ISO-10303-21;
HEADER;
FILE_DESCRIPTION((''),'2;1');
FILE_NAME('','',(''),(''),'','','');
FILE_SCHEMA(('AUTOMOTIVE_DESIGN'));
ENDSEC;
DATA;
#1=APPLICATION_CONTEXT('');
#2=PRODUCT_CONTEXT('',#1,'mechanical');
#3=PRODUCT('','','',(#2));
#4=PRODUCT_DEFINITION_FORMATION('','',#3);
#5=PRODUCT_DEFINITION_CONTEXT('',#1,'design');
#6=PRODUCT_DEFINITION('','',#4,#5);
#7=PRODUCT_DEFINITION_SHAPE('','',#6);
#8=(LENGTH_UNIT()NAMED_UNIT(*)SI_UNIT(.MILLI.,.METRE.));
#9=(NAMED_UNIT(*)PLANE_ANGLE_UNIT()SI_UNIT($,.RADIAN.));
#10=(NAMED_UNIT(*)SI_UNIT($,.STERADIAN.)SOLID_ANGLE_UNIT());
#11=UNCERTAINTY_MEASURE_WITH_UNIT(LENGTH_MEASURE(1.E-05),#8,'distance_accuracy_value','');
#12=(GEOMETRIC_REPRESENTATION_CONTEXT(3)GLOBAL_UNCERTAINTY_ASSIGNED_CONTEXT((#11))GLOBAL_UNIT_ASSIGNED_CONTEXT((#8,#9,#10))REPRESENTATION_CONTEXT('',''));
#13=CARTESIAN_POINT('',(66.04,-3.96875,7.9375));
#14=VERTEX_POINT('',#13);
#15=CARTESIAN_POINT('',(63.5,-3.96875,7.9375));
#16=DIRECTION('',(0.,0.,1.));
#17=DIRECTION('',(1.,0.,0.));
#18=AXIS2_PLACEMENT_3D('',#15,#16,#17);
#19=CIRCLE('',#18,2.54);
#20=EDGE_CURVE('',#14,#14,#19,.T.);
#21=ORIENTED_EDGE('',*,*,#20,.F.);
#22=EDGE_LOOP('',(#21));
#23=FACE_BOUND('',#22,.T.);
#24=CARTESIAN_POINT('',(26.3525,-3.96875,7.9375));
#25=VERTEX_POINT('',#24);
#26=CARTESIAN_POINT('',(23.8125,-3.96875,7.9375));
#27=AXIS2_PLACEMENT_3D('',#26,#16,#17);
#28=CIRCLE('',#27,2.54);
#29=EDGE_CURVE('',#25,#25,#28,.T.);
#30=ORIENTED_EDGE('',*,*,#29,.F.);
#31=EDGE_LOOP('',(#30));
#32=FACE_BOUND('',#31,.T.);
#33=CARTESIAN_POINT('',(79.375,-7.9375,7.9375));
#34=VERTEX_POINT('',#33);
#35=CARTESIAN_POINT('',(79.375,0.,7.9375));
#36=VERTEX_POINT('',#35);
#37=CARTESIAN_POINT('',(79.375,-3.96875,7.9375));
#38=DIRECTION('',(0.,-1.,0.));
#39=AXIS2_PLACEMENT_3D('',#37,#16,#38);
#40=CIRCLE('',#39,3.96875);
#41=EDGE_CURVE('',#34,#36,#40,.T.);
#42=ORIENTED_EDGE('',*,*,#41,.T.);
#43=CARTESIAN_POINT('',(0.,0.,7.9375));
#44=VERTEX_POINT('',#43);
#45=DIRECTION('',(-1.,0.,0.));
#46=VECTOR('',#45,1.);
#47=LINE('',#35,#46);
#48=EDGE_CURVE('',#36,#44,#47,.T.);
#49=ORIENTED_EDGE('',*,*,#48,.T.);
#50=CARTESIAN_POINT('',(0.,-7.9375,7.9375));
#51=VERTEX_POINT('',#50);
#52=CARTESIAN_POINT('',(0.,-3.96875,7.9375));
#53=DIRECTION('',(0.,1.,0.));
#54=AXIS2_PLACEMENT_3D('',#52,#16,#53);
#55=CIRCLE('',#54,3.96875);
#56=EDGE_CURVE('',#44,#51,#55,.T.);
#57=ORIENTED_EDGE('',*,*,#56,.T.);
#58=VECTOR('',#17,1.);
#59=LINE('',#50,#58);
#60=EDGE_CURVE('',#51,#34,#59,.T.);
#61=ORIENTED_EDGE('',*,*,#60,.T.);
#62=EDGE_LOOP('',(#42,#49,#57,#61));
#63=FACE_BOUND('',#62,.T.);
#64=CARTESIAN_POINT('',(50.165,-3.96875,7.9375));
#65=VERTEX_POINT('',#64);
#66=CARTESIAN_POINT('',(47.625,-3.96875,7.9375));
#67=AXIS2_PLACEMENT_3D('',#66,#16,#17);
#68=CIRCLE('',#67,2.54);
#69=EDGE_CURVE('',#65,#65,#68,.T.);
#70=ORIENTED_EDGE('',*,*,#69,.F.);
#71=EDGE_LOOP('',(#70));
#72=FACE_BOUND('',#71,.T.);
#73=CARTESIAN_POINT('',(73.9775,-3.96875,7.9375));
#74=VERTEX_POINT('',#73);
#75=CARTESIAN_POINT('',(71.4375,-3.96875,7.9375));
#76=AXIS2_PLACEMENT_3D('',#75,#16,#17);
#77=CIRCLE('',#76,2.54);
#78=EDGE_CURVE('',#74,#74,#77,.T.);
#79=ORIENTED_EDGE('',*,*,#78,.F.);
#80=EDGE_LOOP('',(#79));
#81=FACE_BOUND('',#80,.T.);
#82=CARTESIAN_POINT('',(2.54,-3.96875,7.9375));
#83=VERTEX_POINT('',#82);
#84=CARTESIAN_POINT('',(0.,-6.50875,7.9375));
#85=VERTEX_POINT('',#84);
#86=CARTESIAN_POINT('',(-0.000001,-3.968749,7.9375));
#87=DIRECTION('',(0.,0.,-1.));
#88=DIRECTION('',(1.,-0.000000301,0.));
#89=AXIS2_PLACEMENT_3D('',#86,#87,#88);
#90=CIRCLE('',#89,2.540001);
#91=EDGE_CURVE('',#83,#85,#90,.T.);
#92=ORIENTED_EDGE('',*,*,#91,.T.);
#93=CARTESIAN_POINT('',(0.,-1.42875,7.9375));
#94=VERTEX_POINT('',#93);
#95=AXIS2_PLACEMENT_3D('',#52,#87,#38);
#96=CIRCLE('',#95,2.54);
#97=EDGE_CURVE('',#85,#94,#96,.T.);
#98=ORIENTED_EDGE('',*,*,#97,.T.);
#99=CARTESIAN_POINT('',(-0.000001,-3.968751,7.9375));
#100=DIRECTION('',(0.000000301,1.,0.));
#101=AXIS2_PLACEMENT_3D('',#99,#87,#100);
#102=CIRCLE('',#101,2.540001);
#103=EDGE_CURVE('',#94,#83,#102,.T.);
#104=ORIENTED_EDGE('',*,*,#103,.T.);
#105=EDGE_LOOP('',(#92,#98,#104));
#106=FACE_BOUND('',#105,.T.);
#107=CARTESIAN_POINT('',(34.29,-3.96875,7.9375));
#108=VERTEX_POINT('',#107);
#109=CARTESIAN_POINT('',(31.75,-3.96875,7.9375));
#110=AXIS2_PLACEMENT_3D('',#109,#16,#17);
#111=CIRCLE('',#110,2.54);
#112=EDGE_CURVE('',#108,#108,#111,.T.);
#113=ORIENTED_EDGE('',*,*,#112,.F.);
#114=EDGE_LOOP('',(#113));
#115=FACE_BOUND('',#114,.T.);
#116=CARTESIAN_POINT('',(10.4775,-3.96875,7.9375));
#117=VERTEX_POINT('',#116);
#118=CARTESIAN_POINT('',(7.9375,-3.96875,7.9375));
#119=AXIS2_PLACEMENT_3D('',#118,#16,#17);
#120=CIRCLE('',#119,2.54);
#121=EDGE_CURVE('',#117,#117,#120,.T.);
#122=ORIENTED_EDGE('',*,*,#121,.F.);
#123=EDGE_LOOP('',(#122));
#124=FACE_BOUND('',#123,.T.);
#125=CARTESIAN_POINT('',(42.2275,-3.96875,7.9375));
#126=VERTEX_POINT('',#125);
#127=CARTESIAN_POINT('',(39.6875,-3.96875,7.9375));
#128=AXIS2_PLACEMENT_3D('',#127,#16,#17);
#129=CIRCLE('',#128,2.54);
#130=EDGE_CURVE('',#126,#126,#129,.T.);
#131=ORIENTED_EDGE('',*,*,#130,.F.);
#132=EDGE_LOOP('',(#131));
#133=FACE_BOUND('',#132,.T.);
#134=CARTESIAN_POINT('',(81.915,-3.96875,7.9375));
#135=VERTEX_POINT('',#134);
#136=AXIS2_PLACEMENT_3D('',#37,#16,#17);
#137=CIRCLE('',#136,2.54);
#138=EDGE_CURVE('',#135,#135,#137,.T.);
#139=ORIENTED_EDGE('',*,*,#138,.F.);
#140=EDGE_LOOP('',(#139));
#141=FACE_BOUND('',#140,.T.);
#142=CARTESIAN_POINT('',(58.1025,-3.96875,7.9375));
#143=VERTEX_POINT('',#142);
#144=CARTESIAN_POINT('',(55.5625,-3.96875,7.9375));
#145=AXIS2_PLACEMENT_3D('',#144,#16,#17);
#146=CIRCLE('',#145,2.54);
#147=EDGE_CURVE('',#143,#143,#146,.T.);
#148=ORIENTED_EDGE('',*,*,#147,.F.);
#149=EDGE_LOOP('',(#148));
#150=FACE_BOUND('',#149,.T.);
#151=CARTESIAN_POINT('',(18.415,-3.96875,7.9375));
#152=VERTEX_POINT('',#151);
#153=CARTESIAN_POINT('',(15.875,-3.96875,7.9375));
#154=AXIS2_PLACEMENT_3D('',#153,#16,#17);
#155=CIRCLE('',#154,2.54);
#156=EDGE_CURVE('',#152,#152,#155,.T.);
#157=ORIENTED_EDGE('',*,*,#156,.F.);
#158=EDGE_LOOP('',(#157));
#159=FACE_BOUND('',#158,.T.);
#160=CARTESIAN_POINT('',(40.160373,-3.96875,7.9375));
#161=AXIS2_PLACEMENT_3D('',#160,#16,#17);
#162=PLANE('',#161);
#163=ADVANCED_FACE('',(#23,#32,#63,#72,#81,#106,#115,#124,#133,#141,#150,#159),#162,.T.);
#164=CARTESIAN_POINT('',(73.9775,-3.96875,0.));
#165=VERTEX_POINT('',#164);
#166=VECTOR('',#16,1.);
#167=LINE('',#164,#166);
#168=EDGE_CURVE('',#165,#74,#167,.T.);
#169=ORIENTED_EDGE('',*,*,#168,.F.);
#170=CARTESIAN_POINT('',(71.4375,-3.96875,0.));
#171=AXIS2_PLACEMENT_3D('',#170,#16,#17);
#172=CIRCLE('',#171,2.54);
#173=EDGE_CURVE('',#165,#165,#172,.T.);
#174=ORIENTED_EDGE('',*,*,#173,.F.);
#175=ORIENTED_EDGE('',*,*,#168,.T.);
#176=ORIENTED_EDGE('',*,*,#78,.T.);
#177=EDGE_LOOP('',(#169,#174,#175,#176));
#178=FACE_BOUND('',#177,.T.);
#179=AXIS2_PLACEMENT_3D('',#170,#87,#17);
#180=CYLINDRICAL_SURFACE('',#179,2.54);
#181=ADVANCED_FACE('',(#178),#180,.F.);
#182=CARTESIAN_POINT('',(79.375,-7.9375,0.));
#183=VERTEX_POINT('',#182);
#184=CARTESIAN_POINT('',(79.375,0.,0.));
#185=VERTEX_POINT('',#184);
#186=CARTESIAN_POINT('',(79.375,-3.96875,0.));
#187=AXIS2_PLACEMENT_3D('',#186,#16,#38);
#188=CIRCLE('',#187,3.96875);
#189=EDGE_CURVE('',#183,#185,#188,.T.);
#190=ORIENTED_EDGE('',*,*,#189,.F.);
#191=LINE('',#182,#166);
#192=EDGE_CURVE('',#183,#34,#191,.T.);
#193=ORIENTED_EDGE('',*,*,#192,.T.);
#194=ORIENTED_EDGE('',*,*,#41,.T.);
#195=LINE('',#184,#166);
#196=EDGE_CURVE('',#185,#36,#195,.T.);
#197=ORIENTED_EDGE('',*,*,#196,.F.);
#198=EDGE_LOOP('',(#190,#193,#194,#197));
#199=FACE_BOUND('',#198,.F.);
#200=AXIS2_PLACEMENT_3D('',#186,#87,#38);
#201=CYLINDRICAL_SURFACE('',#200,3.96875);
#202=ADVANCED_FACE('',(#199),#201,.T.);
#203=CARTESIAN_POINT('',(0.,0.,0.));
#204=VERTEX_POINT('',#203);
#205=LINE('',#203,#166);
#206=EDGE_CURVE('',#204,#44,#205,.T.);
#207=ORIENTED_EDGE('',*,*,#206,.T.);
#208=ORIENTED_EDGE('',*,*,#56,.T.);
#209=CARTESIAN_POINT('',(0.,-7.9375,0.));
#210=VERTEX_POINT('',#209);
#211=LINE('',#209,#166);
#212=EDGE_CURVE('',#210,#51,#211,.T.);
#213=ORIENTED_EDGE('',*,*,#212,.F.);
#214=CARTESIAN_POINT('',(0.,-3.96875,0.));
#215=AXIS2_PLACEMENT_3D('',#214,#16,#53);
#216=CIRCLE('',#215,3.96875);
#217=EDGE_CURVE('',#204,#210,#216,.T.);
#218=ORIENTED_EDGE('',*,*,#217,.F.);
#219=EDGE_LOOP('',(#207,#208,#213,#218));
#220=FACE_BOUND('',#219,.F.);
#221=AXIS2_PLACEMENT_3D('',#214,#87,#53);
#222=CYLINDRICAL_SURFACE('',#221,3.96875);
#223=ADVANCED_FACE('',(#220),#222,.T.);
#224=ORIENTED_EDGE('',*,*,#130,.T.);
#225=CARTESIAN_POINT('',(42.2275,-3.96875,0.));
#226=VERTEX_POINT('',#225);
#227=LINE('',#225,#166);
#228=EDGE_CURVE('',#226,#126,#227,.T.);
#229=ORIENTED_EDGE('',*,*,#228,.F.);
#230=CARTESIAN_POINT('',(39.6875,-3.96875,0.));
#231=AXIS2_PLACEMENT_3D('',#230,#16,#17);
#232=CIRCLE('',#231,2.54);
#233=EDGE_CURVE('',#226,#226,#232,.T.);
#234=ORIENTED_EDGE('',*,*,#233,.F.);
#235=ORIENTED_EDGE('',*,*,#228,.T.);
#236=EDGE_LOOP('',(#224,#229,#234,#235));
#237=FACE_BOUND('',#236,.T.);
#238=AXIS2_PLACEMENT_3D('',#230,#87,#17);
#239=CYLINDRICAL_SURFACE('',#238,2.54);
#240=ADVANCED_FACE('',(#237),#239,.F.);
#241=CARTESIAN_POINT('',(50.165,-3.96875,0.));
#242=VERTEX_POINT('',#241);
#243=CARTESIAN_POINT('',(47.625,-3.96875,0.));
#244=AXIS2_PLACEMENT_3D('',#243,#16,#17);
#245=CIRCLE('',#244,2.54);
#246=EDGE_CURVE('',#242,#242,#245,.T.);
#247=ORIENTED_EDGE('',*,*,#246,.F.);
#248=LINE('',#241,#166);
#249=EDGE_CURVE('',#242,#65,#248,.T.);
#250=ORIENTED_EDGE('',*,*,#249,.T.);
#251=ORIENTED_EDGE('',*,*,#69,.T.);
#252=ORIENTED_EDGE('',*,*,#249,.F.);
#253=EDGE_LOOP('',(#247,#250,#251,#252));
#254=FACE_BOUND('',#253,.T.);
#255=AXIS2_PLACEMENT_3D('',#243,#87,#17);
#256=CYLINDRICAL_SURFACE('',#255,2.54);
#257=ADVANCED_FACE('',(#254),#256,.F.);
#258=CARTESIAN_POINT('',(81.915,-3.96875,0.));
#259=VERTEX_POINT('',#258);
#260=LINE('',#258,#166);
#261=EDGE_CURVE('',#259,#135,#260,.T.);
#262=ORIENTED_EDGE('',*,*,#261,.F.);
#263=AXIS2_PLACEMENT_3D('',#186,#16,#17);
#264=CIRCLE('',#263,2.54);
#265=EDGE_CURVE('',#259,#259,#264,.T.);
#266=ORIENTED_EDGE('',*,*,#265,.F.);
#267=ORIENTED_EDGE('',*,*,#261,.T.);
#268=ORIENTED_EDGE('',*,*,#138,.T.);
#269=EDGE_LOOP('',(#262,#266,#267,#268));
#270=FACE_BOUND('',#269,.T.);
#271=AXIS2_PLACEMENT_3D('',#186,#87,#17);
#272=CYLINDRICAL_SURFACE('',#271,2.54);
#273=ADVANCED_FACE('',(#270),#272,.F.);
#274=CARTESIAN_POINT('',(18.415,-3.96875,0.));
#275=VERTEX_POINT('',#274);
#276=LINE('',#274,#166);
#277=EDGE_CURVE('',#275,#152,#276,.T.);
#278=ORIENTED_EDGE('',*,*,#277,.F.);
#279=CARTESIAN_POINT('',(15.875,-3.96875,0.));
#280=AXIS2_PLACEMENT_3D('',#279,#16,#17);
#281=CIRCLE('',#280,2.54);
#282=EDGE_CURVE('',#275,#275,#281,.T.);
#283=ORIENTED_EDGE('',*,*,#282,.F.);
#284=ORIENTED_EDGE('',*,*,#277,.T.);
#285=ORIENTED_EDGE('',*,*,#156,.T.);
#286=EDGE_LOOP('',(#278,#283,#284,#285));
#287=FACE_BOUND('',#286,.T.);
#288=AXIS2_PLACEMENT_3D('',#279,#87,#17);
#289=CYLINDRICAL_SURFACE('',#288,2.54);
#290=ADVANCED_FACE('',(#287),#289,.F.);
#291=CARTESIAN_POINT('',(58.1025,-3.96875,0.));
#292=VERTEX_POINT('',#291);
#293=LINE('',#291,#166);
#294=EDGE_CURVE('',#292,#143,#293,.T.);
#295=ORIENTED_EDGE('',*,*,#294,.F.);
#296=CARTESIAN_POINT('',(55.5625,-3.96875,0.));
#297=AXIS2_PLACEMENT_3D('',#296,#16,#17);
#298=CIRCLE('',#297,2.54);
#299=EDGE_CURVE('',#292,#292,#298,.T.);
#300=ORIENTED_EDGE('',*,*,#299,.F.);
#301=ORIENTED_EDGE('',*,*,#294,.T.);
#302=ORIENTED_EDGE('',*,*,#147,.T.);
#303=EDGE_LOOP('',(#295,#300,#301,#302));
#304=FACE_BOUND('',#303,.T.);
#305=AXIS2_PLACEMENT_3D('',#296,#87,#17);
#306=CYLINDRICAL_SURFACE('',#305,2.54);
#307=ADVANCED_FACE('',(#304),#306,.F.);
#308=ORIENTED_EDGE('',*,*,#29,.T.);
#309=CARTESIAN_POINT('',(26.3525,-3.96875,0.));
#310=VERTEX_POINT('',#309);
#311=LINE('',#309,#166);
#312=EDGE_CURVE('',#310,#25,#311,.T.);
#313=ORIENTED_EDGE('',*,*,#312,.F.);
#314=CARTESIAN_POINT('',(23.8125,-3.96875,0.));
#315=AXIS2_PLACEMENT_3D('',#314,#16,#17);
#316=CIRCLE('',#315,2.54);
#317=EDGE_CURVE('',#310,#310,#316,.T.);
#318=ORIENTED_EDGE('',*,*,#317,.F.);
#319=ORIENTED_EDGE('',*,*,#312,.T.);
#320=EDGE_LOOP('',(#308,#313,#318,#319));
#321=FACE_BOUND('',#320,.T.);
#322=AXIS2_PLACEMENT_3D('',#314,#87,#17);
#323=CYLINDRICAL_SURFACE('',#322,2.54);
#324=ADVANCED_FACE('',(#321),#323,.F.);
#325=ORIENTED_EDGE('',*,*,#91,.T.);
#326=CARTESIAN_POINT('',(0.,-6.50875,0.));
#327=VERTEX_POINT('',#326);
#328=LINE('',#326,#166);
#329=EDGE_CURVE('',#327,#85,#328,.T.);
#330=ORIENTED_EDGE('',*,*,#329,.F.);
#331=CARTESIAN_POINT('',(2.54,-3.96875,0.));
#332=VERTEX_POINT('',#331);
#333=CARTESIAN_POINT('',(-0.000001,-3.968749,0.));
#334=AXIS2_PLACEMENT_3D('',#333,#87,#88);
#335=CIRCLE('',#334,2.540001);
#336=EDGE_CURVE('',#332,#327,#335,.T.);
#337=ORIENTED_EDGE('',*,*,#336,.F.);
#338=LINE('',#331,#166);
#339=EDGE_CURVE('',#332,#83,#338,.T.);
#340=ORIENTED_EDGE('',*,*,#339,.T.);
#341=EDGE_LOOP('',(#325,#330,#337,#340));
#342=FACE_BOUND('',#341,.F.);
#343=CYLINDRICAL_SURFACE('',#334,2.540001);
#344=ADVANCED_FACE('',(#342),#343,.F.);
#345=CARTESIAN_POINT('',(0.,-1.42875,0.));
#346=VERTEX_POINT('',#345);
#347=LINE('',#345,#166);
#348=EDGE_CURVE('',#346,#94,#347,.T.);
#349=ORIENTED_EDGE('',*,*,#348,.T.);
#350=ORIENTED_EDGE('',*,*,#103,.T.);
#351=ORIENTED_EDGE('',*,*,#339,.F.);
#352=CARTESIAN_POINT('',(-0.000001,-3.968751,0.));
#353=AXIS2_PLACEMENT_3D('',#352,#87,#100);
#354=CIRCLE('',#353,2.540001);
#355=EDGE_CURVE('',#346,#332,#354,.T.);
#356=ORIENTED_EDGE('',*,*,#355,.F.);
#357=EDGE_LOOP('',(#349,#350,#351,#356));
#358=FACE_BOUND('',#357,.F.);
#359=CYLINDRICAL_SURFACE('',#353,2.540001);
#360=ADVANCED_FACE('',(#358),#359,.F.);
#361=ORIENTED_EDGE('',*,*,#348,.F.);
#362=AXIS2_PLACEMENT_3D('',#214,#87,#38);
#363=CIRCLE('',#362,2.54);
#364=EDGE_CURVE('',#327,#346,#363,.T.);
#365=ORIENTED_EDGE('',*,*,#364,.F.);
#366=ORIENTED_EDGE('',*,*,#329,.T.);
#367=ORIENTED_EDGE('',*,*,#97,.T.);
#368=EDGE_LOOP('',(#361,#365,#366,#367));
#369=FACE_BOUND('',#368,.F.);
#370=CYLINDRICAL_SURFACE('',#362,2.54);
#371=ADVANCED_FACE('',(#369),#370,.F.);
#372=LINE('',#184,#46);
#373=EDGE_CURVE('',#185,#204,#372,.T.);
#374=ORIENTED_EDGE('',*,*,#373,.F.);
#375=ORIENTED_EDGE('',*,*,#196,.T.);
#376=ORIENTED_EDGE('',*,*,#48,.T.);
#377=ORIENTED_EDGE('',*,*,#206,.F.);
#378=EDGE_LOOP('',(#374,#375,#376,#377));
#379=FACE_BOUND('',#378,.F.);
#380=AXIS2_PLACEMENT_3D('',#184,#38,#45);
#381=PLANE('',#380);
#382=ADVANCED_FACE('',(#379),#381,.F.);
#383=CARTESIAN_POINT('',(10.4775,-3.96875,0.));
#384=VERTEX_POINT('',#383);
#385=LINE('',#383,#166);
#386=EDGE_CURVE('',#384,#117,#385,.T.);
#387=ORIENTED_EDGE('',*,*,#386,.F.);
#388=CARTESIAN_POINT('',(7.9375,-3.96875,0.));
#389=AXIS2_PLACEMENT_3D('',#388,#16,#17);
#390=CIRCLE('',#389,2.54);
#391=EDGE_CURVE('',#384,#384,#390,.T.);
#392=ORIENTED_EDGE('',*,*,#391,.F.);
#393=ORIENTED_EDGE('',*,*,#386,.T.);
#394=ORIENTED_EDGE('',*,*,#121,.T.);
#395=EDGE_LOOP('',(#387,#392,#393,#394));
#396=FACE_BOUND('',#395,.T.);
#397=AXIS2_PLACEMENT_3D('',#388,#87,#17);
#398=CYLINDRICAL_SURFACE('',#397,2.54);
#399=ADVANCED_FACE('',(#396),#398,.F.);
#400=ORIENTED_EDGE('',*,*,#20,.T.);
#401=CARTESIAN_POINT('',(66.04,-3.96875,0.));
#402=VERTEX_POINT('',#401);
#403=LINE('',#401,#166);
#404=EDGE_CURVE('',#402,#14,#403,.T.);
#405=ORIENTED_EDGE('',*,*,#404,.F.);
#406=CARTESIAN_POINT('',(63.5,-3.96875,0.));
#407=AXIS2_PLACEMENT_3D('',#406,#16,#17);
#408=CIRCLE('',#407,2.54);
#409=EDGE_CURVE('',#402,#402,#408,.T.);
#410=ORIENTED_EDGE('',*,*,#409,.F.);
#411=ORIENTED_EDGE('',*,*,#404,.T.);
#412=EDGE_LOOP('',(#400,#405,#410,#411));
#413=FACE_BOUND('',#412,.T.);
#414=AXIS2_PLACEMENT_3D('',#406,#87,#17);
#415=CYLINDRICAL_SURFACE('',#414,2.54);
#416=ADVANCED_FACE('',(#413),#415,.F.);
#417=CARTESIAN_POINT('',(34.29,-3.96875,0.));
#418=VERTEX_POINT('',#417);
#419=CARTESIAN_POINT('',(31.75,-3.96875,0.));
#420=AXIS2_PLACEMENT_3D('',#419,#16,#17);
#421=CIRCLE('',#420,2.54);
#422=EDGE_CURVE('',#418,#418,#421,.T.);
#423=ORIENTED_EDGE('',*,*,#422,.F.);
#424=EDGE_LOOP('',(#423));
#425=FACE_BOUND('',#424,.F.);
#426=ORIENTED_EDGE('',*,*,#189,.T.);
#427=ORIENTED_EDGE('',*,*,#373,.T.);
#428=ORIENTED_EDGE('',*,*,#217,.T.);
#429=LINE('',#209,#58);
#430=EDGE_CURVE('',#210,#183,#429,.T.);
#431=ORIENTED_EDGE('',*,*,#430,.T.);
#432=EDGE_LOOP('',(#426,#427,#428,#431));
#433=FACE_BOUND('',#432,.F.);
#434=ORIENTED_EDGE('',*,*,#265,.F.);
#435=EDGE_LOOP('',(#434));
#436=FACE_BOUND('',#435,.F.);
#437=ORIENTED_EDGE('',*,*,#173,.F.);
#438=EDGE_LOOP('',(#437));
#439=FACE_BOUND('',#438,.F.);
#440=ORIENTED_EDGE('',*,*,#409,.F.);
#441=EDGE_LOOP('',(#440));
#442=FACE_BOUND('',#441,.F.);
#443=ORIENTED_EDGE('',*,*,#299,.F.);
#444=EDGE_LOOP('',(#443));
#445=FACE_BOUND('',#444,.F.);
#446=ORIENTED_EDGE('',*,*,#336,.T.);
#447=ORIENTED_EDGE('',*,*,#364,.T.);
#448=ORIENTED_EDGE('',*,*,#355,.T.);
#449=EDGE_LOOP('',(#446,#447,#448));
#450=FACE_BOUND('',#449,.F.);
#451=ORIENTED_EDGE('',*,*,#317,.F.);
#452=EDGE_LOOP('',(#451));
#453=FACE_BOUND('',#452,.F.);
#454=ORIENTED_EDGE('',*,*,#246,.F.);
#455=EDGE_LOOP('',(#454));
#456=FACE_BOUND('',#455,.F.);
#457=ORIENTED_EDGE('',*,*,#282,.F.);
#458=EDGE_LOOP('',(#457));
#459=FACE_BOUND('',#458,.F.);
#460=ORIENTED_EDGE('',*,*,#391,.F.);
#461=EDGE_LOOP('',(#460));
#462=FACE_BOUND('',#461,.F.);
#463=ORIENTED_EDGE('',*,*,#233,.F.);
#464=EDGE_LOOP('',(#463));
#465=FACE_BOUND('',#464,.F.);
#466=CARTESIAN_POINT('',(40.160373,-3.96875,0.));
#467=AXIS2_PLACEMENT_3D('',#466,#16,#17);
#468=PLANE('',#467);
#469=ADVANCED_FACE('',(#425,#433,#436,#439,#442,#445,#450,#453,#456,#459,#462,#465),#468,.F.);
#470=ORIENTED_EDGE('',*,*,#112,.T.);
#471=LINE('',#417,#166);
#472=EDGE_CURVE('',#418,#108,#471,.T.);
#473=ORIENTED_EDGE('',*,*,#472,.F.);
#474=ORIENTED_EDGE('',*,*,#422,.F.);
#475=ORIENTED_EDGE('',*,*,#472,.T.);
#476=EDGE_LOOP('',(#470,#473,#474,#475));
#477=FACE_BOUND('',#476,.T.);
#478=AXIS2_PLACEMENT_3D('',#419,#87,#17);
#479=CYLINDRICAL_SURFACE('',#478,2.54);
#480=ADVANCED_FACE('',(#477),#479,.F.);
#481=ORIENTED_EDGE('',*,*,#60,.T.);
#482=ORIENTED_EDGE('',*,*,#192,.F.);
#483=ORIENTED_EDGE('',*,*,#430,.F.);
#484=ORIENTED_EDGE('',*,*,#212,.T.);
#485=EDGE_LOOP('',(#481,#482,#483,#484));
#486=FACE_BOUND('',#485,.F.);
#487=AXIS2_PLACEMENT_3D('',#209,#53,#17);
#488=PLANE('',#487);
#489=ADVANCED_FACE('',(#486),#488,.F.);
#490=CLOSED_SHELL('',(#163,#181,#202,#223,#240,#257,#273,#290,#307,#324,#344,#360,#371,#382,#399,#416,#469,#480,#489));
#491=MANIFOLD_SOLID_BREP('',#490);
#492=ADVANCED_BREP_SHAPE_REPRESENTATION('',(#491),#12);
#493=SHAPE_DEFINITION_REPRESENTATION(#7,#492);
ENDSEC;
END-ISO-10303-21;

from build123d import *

# Parameters (mm, degrees)
F0_R     = 2.54
F1_DEPTH = 7.9375


with BuildPart() as f1:
    # F0 (on Top) → F1 (new body)
    with BuildSketch(Plane.XY):
        with BuildLine():
            Line((79.375, 0), (0, 0))
            Line((0, 0), (0, -1.42875))
            ThreePointArc((0, -1.42875), (1.796051, -2.172699), (2.54, -3.96875))
            ThreePointArc((2.54, -3.96875), (1.796051, -5.764801), (0, -6.50875))
            Line((0, -6.50875), (0, -7.9375))
            Line((0, -7.9375), (79.375, -7.9375))
            ThreePointArc((79.375, -7.9375), (83.34375, -3.96875), (79.375, 0))
        make_face()
        with Locations((7.9375, -3.96875)):
            Circle(F0_R, mode=Mode.SUBTRACT)
        with Locations((15.875, -3.96875)):
            Circle(F0_R, mode=Mode.SUBTRACT)
        with Locations((23.8125, -3.96875)):
            Circle(F0_R, mode=Mode.SUBTRACT)
        with Locations((31.75, -3.96875)):
            Circle(F0_R, mode=Mode.SUBTRACT)
        with Locations((39.6875, -3.96875)):
            Circle(F0_R, mode=Mode.SUBTRACT)
        with Locations((47.625, -3.96875)):
            Circle(F0_R, mode=Mode.SUBTRACT)
        with Locations((55.5625, -3.96875)):
            Circle(F0_R, mode=Mode.SUBTRACT)
        with Locations((63.5, -3.96875)):
            Circle(F0_R, mode=Mode.SUBTRACT)
        with Locations((71.4375, -3.96875)):
            Circle(F0_R, mode=Mode.SUBTRACT)
        with Locations((79.375, -3.96875)):
            Circle(F0_R, mode=Mode.SUBTRACT)
        with BuildLine():
            Line((0, -1.42875), (0, 0))
            ThreePointArc((0, 0), (-3.96875, -3.96875), (0, -7.9375))
            Line((0, -7.9375), (0, -6.50875))
            ThreePointArc((0, -6.50875), (-2.54, -3.96875), (0, -1.42875))
        make_face()
    extrude(amount=F1_DEPTH)


solid = f1.part
